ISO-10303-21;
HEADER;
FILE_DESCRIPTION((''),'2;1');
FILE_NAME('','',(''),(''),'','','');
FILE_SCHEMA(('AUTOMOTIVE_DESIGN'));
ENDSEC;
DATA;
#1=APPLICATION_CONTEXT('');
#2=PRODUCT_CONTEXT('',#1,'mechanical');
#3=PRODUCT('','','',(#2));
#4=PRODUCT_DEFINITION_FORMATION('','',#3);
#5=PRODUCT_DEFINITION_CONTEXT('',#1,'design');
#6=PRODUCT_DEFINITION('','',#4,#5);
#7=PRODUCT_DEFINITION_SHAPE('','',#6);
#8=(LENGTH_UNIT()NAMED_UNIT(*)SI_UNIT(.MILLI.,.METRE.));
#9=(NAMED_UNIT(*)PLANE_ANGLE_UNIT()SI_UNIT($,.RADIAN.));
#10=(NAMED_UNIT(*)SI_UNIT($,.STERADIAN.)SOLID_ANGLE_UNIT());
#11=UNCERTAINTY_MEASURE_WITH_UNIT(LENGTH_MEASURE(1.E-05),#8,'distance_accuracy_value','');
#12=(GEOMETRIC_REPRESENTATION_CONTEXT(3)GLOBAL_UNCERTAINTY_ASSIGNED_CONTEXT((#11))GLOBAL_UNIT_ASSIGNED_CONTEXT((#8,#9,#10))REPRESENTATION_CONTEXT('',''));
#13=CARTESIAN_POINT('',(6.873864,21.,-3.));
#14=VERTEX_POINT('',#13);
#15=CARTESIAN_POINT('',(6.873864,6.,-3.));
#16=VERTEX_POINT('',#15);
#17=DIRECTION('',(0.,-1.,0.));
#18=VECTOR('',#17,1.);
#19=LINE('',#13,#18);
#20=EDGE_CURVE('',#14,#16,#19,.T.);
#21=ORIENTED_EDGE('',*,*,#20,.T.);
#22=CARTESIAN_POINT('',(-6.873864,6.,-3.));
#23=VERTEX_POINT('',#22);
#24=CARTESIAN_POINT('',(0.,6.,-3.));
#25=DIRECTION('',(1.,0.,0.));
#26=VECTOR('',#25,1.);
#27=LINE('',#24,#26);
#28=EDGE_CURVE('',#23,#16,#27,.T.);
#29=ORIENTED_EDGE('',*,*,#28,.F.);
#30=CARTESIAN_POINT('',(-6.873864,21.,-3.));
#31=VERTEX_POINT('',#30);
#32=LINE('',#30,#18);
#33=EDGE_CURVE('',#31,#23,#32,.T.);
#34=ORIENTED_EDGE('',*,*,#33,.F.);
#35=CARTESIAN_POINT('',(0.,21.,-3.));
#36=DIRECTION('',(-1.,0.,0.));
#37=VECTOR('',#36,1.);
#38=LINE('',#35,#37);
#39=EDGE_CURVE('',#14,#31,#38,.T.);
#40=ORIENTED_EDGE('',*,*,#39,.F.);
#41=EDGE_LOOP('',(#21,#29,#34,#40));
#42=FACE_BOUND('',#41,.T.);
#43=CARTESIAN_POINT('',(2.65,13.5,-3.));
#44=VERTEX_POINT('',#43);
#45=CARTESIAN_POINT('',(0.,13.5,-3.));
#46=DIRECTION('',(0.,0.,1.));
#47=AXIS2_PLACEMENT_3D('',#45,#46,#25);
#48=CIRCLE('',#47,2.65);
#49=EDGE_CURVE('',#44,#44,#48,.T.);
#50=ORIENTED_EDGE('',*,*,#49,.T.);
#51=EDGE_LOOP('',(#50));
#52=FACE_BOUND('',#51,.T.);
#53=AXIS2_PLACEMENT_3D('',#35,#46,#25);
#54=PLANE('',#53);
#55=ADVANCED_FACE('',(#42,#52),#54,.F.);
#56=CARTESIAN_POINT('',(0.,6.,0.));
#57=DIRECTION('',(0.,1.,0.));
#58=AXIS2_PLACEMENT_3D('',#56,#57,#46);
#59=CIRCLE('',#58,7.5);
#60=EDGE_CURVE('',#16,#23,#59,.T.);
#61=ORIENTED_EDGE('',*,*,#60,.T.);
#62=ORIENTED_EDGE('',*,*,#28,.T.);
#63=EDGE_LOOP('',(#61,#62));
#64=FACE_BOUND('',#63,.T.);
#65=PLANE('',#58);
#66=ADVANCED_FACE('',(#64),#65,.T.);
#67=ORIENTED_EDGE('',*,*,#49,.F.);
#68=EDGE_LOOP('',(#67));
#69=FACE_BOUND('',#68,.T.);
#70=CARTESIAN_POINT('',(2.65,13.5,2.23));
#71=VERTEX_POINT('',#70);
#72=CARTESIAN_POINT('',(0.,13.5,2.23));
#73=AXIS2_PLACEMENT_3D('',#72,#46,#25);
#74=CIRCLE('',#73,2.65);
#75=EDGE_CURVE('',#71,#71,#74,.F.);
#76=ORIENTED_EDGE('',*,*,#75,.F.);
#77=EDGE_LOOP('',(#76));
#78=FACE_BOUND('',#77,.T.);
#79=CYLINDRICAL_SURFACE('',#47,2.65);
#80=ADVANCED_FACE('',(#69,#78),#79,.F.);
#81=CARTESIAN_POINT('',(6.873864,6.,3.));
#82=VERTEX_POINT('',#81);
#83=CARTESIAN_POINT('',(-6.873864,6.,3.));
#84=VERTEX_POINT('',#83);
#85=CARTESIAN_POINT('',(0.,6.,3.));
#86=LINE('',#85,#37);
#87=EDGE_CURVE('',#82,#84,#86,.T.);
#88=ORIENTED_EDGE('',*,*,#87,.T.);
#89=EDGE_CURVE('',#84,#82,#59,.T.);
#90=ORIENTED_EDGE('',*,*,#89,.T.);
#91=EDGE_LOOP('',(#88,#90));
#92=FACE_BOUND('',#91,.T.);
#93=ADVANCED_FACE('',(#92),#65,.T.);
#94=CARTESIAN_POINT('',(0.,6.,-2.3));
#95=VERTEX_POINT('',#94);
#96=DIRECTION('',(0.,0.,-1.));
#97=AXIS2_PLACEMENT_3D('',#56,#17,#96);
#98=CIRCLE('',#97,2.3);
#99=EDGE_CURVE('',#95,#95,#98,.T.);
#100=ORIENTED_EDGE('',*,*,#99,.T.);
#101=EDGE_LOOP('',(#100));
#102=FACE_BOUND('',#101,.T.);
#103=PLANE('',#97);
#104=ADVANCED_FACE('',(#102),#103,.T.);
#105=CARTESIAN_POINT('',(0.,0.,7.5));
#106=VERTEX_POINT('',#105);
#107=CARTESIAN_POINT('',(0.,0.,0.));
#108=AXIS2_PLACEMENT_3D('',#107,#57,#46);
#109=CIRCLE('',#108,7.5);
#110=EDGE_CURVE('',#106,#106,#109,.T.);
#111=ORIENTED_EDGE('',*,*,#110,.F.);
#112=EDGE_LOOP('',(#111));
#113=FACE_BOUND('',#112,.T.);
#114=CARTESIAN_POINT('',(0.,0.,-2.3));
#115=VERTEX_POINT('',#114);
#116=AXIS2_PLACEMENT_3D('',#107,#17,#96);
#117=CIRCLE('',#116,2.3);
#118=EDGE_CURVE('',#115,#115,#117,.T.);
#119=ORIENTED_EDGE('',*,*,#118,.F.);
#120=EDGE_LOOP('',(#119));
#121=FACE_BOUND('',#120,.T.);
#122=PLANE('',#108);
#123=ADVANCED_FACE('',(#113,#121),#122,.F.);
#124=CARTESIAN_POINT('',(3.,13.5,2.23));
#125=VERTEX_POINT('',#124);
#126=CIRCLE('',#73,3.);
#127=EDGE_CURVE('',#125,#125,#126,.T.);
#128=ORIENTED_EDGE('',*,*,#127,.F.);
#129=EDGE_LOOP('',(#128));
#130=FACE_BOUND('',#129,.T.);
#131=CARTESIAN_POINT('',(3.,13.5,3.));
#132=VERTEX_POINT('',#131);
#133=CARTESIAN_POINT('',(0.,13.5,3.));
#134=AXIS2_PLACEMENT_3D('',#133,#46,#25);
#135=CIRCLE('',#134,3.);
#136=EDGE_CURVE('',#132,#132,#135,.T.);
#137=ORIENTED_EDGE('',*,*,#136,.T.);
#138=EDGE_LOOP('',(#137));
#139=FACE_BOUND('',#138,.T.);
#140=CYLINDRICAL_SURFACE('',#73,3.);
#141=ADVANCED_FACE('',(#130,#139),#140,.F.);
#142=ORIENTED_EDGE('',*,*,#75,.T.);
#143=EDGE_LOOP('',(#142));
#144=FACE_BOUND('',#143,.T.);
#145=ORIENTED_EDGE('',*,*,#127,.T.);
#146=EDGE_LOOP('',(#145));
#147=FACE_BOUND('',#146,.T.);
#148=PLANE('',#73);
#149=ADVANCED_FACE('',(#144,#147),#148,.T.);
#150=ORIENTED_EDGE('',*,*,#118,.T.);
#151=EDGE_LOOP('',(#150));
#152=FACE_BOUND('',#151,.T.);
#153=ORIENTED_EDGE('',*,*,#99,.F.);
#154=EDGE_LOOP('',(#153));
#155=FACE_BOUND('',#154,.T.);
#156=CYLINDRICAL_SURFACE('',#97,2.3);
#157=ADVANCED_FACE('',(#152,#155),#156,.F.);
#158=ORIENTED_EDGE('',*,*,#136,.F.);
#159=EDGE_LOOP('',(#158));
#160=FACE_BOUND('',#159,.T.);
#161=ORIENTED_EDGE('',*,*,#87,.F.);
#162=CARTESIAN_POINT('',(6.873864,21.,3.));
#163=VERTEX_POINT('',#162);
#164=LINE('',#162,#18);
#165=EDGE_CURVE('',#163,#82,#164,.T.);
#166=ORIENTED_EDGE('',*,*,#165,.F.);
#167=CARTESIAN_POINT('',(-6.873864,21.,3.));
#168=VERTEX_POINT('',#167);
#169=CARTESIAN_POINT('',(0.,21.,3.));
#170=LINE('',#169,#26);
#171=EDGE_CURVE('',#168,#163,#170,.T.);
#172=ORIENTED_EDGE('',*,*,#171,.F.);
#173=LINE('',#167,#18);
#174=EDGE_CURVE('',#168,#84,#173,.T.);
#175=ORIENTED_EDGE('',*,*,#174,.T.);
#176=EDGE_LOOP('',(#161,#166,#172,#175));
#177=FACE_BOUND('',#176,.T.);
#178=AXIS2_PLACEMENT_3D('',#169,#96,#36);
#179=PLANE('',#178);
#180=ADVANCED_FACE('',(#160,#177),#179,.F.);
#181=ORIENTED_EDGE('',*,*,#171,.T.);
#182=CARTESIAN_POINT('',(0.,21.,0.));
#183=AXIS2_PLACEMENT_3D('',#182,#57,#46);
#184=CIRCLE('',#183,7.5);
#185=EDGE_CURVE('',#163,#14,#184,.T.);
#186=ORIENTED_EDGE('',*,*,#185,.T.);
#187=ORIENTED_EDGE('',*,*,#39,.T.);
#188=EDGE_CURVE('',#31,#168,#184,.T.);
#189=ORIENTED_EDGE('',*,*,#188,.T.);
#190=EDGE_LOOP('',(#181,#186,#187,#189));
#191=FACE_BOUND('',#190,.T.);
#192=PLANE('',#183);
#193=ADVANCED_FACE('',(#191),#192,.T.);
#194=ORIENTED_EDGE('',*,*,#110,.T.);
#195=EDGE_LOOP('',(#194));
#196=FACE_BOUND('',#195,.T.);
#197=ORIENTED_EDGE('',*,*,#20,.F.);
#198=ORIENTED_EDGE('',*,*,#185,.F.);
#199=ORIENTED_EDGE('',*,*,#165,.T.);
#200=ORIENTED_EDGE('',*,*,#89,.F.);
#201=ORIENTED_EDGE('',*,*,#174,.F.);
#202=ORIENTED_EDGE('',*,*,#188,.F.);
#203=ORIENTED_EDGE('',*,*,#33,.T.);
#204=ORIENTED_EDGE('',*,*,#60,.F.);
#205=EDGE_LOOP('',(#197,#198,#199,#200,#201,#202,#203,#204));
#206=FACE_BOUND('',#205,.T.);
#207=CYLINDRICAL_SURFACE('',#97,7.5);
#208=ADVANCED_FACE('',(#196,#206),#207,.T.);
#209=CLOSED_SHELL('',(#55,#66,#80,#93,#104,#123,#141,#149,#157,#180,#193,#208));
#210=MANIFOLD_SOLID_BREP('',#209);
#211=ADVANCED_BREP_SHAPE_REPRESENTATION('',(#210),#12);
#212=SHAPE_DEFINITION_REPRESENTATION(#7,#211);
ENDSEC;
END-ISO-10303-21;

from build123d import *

# Parameters (mm, degrees)
SKETCH1_R           = 7.5
BOSS_EXTRUDE6_DEPTH = 6
BOSS_EXTRUDE7_DEPTH = 21
SKETCH4_R           = 2.65
CUT_EXTRUDE7_DEPTH  = 6
SKETCH7_R           = 3
CUT_EXTRUDE8_DEPTH  = 0.77
SKETCH8_R           = 2.3
CUT_EXTRUDE9_DEPTH  = 6


with BuildPart() as part:
    # Sketch1 → Boss-Extrude6 (new body)
    with BuildSketch(Plane(origin=(0, 0, 0), x_dir=(1, 0, 0), z_dir=(0, 1, 0))):
        Circle(SKETCH1_R)
    extrude(amount=BOSS_EXTRUDE6_DEPTH)

    # Sketch1<9> → Boss-Extrude7 (add)
    with BuildSketch(Plane(origin=(0, 0, 0), x_dir=(1, 0, 0), z_dir=(0, 1, 0))):
        with BuildLine():
            ThreePointArc((7.5, 0), (7.341797347, 1.532322328), (6.873863542, 3))
            Line((6.873863542, 3), (-6.873863542, 3))
            ThreePointArc((-6.873863542, 3), (-7.5, 0), (-6.873863542, -3))
            Line((-6.873863542, -3), (6.873863542, -3))
            ThreePointArc((6.873863542, -3), (7.341797347, -1.532322328), (7.5, 0))
        make_face()
    extrude(amount=BOSS_EXTRUDE7_DEPTH)

    # Sketch4 → Cut-Extrude7 (cut)
    with BuildSketch(Plane.XY.offset(3)):
        with Locations((0, 13.5)):
            Circle(SKETCH4_R)
    extrude(amount=-CUT_EXTRUDE7_DEPTH, mode=Mode.SUBTRACT)

    # Sketch7 → Cut-Extrude8 (cut)
    with BuildSketch(Plane.XY.offset(3)):
        with Locations((0, 13.5)):
            Circle(SKETCH7_R)
    extrude(amount=-CUT_EXTRUDE8_DEPTH, mode=Mode.SUBTRACT)

    # Sketch8 → Cut-Extrude9 (cut)
    with BuildSketch(Plane.XZ):
        Circle(SKETCH8_R)
    extrude(amount=-CUT_EXTRUDE9_DEPTH, mode=Mode.SUBTRACT)


solid = part.part
